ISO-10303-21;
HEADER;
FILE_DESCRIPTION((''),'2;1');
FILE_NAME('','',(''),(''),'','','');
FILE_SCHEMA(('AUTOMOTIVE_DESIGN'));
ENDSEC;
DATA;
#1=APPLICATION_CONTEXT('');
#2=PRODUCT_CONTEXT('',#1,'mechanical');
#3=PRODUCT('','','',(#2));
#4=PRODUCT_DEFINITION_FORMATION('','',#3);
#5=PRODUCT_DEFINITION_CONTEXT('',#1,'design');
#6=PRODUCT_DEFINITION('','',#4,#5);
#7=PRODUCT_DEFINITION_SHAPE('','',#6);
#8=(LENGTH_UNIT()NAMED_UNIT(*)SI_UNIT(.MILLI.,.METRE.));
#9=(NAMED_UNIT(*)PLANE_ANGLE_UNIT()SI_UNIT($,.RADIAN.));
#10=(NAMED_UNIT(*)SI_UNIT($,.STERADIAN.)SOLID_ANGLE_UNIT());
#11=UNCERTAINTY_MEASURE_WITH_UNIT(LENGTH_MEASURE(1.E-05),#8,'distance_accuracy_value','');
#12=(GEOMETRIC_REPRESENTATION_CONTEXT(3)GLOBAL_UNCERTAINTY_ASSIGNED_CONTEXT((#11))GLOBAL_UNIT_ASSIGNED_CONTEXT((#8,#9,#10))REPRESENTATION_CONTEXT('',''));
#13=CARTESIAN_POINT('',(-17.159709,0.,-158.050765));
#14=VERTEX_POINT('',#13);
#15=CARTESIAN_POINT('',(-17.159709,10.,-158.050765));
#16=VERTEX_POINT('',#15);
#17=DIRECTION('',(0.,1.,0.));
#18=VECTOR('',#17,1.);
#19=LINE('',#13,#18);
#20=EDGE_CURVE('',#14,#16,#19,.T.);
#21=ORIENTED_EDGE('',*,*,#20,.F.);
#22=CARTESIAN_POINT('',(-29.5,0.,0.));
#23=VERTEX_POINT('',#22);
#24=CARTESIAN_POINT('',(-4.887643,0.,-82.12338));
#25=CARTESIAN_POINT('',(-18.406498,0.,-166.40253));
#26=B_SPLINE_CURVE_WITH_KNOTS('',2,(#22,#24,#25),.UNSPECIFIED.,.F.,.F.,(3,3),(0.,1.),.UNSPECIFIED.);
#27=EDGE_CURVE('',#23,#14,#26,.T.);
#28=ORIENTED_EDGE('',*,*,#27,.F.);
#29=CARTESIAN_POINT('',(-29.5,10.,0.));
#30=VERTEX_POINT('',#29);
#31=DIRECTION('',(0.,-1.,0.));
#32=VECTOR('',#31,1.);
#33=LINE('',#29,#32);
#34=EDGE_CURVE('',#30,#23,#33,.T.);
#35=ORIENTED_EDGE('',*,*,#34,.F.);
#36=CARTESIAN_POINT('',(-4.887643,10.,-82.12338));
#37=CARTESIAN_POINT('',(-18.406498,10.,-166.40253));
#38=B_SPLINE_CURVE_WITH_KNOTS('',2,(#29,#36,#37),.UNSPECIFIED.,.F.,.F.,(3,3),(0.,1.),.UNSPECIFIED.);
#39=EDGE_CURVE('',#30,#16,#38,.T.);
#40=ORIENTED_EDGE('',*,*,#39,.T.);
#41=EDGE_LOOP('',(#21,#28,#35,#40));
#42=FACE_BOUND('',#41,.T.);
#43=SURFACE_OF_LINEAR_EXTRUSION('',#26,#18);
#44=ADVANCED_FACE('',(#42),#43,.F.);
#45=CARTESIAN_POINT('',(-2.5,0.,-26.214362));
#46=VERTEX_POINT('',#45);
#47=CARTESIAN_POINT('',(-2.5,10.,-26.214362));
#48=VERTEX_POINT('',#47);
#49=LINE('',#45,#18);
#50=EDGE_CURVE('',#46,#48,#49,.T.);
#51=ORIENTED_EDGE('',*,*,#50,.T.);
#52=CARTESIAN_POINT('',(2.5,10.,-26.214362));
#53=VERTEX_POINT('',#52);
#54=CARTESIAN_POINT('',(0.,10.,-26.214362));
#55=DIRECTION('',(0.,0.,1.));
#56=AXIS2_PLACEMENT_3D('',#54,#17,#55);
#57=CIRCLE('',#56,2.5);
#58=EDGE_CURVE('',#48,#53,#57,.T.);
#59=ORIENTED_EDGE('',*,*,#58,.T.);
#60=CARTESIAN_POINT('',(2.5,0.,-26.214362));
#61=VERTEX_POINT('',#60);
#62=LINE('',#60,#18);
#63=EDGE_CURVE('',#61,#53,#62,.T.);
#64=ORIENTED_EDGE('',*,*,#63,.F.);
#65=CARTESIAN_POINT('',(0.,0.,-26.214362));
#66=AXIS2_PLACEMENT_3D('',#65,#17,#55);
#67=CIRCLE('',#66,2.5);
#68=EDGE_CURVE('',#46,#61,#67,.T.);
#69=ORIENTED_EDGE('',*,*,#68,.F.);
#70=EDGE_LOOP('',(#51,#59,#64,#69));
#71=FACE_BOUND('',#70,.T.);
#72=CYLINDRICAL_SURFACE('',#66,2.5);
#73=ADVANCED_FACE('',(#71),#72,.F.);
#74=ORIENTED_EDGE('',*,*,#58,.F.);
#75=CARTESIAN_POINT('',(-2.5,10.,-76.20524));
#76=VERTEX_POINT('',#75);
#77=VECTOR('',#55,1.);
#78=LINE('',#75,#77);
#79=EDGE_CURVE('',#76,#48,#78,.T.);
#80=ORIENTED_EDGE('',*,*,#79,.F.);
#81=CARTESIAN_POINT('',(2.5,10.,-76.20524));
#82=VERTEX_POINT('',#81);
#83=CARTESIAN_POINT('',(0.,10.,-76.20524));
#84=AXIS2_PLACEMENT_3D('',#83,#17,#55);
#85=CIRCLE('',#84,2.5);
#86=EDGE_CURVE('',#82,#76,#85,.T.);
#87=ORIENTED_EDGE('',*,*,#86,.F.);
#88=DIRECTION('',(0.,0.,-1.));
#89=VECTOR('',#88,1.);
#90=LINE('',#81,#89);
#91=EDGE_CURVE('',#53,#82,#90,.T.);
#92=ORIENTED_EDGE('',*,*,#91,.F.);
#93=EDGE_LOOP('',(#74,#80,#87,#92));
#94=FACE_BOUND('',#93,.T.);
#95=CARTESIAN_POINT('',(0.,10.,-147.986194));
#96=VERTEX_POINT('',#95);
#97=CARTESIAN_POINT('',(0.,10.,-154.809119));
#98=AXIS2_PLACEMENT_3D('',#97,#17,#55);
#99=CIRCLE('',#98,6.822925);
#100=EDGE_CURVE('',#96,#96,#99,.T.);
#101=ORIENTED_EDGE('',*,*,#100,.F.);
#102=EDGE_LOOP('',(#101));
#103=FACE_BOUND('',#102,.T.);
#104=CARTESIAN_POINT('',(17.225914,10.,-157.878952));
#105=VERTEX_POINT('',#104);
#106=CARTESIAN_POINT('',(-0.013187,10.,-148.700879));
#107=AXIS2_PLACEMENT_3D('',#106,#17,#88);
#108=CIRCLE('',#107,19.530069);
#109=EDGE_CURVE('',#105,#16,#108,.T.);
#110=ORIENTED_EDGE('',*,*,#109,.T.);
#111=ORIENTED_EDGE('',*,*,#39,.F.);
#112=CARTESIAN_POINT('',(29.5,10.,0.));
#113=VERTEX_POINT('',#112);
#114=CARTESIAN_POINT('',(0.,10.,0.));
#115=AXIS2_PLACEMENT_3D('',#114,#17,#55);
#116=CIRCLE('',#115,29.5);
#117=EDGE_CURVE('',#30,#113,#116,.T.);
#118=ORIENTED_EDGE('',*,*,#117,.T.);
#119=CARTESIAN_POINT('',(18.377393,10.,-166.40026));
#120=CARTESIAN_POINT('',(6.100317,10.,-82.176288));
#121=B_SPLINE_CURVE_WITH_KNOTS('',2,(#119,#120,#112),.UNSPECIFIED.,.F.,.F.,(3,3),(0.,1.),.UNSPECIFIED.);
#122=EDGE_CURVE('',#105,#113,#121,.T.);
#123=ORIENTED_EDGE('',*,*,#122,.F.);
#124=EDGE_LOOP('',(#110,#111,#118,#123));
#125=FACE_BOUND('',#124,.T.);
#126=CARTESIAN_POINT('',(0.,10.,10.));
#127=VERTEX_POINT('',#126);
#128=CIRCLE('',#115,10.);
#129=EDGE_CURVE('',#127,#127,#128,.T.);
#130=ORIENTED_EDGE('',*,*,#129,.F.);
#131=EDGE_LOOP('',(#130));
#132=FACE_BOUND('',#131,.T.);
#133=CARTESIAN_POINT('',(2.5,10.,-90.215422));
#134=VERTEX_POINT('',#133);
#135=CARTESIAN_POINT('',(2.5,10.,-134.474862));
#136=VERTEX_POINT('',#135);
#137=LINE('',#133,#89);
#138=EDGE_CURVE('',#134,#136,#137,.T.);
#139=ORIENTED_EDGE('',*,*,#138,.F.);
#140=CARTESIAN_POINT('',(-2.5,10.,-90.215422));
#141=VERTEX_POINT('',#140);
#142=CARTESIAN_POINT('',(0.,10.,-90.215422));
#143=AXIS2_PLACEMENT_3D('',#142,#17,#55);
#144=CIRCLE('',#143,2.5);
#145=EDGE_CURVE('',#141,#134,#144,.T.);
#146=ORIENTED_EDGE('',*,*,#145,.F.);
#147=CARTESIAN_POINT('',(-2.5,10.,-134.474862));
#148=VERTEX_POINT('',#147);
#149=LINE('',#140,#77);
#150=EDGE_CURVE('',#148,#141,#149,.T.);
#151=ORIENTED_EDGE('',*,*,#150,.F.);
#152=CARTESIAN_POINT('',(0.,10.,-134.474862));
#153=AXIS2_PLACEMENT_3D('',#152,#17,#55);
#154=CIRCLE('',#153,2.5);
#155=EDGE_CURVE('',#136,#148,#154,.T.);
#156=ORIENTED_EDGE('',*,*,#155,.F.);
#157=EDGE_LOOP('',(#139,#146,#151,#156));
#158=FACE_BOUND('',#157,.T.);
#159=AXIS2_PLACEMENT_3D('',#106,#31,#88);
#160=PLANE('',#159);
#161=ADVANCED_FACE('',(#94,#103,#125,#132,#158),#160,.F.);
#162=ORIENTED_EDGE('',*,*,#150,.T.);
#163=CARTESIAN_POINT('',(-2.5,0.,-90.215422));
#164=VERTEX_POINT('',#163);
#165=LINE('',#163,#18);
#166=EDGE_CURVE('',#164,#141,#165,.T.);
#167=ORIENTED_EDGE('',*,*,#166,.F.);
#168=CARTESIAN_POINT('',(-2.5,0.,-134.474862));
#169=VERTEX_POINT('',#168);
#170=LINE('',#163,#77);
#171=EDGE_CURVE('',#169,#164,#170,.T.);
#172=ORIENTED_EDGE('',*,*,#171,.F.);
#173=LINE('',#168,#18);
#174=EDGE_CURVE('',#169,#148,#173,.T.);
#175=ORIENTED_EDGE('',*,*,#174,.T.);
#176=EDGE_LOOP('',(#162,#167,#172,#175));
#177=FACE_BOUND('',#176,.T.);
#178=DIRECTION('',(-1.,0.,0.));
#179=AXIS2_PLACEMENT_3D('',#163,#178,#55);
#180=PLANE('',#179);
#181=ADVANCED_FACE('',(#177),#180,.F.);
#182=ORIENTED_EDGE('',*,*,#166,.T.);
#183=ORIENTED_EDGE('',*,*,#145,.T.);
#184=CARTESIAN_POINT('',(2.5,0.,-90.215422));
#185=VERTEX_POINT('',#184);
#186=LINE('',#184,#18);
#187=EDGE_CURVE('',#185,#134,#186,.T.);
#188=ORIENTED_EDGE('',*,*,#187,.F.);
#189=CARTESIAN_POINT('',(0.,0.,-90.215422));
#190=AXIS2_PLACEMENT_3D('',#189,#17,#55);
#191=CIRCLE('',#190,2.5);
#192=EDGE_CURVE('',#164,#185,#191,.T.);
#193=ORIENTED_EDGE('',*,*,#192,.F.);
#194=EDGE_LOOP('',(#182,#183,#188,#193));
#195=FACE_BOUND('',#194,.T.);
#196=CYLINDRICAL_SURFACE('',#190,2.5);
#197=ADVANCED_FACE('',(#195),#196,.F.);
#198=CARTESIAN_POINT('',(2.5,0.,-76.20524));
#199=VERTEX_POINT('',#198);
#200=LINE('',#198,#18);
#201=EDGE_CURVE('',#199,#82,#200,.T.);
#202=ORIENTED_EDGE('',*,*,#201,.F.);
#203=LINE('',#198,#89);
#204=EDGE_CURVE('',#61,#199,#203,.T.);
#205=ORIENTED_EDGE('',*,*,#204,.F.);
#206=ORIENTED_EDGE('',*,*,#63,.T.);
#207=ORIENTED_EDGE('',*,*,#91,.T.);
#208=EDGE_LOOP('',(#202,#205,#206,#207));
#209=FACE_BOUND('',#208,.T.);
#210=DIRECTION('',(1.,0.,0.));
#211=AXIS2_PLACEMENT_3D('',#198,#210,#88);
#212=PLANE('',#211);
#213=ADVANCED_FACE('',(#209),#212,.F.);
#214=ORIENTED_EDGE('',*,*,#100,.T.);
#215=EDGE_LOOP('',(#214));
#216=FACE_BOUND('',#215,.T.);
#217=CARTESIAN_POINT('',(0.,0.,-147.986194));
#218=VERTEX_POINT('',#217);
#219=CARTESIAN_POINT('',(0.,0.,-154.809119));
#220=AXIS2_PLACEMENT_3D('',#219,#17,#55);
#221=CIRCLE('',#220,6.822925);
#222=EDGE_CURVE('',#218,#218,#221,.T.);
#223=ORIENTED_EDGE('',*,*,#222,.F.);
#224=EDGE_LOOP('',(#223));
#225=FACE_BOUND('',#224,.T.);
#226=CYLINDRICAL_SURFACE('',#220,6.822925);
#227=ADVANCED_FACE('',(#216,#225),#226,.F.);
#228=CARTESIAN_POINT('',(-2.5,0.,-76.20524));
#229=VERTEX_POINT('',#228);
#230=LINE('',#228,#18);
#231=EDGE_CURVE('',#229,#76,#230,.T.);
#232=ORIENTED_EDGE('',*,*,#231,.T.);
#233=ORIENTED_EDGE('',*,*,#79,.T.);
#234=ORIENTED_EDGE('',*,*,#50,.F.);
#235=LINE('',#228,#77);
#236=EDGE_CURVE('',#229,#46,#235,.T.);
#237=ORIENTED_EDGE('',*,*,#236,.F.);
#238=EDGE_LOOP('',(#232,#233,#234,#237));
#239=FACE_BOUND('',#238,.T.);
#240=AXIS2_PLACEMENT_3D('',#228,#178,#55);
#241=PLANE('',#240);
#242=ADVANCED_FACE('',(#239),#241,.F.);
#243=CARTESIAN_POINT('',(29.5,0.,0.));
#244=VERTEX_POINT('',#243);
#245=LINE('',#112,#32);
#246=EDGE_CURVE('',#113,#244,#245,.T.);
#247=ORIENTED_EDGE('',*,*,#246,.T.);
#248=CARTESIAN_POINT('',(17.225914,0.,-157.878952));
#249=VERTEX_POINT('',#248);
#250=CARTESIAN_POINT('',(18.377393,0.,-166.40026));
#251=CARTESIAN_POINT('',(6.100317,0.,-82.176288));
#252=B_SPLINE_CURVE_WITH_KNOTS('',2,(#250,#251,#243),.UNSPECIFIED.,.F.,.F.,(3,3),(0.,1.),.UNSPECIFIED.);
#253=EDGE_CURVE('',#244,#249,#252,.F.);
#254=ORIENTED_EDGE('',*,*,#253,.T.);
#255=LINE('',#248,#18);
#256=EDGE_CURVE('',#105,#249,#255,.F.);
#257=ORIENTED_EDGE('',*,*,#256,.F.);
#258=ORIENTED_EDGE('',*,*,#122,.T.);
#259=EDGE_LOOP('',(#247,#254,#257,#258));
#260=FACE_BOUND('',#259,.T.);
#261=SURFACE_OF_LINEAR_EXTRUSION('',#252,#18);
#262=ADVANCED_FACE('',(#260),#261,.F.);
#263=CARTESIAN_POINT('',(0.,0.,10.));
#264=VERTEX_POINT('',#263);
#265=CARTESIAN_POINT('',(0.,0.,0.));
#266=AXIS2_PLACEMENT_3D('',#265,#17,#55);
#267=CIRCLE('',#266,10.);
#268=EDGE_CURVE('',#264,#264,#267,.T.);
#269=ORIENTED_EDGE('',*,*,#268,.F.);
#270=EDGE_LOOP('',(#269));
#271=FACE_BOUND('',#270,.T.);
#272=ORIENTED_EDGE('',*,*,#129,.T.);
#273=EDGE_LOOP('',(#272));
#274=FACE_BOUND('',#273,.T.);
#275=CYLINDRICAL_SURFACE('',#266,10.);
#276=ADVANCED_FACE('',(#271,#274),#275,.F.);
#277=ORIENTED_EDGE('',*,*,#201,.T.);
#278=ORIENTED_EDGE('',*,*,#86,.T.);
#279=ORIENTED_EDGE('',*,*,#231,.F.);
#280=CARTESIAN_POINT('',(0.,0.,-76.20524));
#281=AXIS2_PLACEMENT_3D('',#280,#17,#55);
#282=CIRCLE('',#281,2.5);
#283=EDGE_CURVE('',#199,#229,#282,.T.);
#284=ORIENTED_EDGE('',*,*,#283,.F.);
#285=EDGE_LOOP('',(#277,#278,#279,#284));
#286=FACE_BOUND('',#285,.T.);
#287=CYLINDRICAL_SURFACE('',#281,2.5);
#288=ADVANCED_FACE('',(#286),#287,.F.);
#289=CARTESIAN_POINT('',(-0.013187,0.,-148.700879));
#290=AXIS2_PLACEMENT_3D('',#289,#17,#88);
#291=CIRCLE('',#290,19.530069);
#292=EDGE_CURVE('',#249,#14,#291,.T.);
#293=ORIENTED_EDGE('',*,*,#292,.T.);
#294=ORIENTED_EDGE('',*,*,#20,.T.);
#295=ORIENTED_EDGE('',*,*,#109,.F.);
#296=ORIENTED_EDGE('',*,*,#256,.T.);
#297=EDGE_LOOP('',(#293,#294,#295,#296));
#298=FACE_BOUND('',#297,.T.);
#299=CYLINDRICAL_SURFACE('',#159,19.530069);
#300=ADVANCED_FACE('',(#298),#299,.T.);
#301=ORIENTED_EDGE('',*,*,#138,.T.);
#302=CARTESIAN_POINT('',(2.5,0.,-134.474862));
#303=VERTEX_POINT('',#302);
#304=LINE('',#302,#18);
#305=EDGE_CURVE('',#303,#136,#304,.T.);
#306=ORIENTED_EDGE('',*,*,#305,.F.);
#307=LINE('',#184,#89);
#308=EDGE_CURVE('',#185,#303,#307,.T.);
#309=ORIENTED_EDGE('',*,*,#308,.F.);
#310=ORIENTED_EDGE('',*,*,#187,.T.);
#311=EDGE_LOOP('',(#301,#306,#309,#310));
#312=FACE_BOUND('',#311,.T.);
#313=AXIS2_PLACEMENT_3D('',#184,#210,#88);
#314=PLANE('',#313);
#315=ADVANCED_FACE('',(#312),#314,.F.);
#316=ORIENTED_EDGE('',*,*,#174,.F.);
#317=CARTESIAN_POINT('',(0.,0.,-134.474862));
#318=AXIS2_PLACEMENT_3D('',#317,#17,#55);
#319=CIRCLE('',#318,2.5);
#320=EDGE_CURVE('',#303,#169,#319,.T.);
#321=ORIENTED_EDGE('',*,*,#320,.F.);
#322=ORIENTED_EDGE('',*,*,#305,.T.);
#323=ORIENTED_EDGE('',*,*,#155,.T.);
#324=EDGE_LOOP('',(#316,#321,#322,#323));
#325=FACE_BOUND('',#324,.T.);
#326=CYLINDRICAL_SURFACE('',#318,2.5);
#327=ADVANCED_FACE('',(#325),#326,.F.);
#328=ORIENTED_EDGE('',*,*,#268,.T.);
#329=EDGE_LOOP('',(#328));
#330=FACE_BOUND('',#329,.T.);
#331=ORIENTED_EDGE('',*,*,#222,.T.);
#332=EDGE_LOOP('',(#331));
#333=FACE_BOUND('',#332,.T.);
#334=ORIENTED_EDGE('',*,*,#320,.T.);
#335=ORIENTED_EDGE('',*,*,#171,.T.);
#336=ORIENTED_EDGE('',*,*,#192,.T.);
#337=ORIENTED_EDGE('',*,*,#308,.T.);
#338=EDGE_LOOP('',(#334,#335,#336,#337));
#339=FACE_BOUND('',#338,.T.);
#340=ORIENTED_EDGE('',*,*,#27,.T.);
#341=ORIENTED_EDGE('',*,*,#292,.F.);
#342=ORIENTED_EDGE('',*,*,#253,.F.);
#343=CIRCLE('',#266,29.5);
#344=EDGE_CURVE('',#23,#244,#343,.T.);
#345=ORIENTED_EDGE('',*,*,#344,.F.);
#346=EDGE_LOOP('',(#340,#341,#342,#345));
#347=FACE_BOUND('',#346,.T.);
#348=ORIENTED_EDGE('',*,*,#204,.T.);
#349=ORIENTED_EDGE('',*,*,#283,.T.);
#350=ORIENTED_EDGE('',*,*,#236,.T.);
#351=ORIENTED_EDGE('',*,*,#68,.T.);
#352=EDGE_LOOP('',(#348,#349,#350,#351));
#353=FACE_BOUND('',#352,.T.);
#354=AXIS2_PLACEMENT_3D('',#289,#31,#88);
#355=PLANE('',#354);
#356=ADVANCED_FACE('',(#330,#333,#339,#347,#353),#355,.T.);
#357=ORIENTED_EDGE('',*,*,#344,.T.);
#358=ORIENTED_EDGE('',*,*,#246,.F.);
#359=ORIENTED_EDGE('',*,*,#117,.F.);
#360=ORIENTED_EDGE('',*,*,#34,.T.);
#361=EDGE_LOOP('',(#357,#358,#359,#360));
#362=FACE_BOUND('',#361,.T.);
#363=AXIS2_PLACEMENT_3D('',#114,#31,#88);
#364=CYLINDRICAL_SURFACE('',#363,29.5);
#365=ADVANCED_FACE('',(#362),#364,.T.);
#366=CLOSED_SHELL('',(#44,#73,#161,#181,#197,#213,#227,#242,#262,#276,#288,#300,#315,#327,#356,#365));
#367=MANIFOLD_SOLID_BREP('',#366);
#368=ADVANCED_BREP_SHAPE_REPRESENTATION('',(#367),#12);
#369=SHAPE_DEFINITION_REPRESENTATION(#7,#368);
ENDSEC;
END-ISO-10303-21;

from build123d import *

# Parameters (mm, degrees)
EXTRUDE_1_DEPTH     = 10
CUT_EXTRUDE_1_DEPTH = 172.090332978
CUT_EXTRUDE_2_DEPTH = 172.0903331
SKETCH_4_R          = 6.822924711
CUT_EXTRUDE_3_DEPTH = 172.0903331
SKETCH_5_R          = 10
CUT_EXTRUDE_4_DEPTH = 172.0903331


with BuildPart() as part:
    # 草图1 → 凸台-拉伸1 (new body)
    with BuildSketch(Plane(origin=(0, 0, 0), x_dir=(1, 0, 0), z_dir=(0, 1, 0))):
        with BuildLine():
            Line((-19.5, 150), (-29.5, 0))
            ThreePointArc((-29.5, 0), (0, -29.5), (29.5, 0))
            Line((29.5, 0), (19.47339908, 150.003410942))
            ThreePointArc((19.47339908, 150.003410942), (-0.014895879, 168.230948441), (-19.5, 150))
        make_face()
    extrude(amount=EXTRUDE_1_DEPTH)

    # 草图2 → 切除-拉伸1 (cut, through all)
    with BuildSketch(Plane(origin=(0, 10, 0), x_dir=(1, 0, 0), z_dir=(0, 1, 0))):
        with BuildLine():
            Line((-18.406498031, 166.402529529), (-29.5, 0))
            add(Edge.make_bspline(
                [(-18.406498031, 166.402529529), (-4.887642604, 82.123380262), (-29.5, 0)],
                knots=[0, 0, 0, 1, 1, 1], degree=2))
        make_face()
        with BuildLine():
            Line((18.377392911, 166.400260194), (29.5, 0))
            add(Edge.make_bspline(
                [(18.377392911, 166.400260194), (6.100316571, 82.176287971), (29.5, 0)],
                knots=[0, 0, 0, 1, 1, 1], degree=2))
        make_face()
    extrude(amount=-CUT_EXTRUDE_1_DEPTH, mode=Mode.SUBTRACT)

    # 草图3 → 切除-拉伸2 (cut, through all)
    with BuildSketch(Plane(origin=(0, 10, 0), x_dir=(1, 0, 0), z_dir=(0, 1, 0))):
        with BuildLine():
            Line((-2.5, 90.215422083), (-2.5, 134.474861862))
            ThreePointArc((-2.5, 134.474861862), (0, 136.974861862), (2.5, 134.474861862))
            Line((2.5, 134.474861862), (2.5, 90.215422083))
            ThreePointArc((2.5, 90.215422083), (0, 87.715422083), (-2.5, 90.215422083))
        make_face()
        with BuildLine():
            Line((2.5, 76.205239707), (2.5, 26.214361684))
            ThreePointArc((2.5, 26.214361684), (0, 23.714361684), (-2.5, 26.214361684))
            Line((-2.5, 26.214361684), (-2.5, 76.205239707))
            ThreePointArc((-2.5, 76.205239707), (0, 78.705239707), (2.5, 76.205239707))
        make_face()
    extrude(amount=-CUT_EXTRUDE_2_DEPTH, mode=Mode.SUBTRACT)

    # 草图4 → 切除-拉伸3 (cut, through all)
    with BuildSketch(Plane(origin=(0, 10, 0), x_dir=(1, 0, 0), z_dir=(0, 1, 0))):
        with Locations(Location((0, 154.809118853, 0), (0, 0, 270))):
            Circle(SKETCH_4_R)
    extrude(amount=-CUT_EXTRUDE_3_DEPTH, mode=Mode.SUBTRACT)

    # 草图5 → 切除-拉伸4 (cut, through all)
    with BuildSketch(Plane(origin=(0, 10, 0), x_dir=(1, 0, 0), z_dir=(0, 1, 0))):
        with Locations(Location((0, 0, 0), (0, 0, 270))):
            Circle(SKETCH_5_R)
    extrude(amount=-CUT_EXTRUDE_4_DEPTH, mode=Mode.SUBTRACT)


solid = part.part
